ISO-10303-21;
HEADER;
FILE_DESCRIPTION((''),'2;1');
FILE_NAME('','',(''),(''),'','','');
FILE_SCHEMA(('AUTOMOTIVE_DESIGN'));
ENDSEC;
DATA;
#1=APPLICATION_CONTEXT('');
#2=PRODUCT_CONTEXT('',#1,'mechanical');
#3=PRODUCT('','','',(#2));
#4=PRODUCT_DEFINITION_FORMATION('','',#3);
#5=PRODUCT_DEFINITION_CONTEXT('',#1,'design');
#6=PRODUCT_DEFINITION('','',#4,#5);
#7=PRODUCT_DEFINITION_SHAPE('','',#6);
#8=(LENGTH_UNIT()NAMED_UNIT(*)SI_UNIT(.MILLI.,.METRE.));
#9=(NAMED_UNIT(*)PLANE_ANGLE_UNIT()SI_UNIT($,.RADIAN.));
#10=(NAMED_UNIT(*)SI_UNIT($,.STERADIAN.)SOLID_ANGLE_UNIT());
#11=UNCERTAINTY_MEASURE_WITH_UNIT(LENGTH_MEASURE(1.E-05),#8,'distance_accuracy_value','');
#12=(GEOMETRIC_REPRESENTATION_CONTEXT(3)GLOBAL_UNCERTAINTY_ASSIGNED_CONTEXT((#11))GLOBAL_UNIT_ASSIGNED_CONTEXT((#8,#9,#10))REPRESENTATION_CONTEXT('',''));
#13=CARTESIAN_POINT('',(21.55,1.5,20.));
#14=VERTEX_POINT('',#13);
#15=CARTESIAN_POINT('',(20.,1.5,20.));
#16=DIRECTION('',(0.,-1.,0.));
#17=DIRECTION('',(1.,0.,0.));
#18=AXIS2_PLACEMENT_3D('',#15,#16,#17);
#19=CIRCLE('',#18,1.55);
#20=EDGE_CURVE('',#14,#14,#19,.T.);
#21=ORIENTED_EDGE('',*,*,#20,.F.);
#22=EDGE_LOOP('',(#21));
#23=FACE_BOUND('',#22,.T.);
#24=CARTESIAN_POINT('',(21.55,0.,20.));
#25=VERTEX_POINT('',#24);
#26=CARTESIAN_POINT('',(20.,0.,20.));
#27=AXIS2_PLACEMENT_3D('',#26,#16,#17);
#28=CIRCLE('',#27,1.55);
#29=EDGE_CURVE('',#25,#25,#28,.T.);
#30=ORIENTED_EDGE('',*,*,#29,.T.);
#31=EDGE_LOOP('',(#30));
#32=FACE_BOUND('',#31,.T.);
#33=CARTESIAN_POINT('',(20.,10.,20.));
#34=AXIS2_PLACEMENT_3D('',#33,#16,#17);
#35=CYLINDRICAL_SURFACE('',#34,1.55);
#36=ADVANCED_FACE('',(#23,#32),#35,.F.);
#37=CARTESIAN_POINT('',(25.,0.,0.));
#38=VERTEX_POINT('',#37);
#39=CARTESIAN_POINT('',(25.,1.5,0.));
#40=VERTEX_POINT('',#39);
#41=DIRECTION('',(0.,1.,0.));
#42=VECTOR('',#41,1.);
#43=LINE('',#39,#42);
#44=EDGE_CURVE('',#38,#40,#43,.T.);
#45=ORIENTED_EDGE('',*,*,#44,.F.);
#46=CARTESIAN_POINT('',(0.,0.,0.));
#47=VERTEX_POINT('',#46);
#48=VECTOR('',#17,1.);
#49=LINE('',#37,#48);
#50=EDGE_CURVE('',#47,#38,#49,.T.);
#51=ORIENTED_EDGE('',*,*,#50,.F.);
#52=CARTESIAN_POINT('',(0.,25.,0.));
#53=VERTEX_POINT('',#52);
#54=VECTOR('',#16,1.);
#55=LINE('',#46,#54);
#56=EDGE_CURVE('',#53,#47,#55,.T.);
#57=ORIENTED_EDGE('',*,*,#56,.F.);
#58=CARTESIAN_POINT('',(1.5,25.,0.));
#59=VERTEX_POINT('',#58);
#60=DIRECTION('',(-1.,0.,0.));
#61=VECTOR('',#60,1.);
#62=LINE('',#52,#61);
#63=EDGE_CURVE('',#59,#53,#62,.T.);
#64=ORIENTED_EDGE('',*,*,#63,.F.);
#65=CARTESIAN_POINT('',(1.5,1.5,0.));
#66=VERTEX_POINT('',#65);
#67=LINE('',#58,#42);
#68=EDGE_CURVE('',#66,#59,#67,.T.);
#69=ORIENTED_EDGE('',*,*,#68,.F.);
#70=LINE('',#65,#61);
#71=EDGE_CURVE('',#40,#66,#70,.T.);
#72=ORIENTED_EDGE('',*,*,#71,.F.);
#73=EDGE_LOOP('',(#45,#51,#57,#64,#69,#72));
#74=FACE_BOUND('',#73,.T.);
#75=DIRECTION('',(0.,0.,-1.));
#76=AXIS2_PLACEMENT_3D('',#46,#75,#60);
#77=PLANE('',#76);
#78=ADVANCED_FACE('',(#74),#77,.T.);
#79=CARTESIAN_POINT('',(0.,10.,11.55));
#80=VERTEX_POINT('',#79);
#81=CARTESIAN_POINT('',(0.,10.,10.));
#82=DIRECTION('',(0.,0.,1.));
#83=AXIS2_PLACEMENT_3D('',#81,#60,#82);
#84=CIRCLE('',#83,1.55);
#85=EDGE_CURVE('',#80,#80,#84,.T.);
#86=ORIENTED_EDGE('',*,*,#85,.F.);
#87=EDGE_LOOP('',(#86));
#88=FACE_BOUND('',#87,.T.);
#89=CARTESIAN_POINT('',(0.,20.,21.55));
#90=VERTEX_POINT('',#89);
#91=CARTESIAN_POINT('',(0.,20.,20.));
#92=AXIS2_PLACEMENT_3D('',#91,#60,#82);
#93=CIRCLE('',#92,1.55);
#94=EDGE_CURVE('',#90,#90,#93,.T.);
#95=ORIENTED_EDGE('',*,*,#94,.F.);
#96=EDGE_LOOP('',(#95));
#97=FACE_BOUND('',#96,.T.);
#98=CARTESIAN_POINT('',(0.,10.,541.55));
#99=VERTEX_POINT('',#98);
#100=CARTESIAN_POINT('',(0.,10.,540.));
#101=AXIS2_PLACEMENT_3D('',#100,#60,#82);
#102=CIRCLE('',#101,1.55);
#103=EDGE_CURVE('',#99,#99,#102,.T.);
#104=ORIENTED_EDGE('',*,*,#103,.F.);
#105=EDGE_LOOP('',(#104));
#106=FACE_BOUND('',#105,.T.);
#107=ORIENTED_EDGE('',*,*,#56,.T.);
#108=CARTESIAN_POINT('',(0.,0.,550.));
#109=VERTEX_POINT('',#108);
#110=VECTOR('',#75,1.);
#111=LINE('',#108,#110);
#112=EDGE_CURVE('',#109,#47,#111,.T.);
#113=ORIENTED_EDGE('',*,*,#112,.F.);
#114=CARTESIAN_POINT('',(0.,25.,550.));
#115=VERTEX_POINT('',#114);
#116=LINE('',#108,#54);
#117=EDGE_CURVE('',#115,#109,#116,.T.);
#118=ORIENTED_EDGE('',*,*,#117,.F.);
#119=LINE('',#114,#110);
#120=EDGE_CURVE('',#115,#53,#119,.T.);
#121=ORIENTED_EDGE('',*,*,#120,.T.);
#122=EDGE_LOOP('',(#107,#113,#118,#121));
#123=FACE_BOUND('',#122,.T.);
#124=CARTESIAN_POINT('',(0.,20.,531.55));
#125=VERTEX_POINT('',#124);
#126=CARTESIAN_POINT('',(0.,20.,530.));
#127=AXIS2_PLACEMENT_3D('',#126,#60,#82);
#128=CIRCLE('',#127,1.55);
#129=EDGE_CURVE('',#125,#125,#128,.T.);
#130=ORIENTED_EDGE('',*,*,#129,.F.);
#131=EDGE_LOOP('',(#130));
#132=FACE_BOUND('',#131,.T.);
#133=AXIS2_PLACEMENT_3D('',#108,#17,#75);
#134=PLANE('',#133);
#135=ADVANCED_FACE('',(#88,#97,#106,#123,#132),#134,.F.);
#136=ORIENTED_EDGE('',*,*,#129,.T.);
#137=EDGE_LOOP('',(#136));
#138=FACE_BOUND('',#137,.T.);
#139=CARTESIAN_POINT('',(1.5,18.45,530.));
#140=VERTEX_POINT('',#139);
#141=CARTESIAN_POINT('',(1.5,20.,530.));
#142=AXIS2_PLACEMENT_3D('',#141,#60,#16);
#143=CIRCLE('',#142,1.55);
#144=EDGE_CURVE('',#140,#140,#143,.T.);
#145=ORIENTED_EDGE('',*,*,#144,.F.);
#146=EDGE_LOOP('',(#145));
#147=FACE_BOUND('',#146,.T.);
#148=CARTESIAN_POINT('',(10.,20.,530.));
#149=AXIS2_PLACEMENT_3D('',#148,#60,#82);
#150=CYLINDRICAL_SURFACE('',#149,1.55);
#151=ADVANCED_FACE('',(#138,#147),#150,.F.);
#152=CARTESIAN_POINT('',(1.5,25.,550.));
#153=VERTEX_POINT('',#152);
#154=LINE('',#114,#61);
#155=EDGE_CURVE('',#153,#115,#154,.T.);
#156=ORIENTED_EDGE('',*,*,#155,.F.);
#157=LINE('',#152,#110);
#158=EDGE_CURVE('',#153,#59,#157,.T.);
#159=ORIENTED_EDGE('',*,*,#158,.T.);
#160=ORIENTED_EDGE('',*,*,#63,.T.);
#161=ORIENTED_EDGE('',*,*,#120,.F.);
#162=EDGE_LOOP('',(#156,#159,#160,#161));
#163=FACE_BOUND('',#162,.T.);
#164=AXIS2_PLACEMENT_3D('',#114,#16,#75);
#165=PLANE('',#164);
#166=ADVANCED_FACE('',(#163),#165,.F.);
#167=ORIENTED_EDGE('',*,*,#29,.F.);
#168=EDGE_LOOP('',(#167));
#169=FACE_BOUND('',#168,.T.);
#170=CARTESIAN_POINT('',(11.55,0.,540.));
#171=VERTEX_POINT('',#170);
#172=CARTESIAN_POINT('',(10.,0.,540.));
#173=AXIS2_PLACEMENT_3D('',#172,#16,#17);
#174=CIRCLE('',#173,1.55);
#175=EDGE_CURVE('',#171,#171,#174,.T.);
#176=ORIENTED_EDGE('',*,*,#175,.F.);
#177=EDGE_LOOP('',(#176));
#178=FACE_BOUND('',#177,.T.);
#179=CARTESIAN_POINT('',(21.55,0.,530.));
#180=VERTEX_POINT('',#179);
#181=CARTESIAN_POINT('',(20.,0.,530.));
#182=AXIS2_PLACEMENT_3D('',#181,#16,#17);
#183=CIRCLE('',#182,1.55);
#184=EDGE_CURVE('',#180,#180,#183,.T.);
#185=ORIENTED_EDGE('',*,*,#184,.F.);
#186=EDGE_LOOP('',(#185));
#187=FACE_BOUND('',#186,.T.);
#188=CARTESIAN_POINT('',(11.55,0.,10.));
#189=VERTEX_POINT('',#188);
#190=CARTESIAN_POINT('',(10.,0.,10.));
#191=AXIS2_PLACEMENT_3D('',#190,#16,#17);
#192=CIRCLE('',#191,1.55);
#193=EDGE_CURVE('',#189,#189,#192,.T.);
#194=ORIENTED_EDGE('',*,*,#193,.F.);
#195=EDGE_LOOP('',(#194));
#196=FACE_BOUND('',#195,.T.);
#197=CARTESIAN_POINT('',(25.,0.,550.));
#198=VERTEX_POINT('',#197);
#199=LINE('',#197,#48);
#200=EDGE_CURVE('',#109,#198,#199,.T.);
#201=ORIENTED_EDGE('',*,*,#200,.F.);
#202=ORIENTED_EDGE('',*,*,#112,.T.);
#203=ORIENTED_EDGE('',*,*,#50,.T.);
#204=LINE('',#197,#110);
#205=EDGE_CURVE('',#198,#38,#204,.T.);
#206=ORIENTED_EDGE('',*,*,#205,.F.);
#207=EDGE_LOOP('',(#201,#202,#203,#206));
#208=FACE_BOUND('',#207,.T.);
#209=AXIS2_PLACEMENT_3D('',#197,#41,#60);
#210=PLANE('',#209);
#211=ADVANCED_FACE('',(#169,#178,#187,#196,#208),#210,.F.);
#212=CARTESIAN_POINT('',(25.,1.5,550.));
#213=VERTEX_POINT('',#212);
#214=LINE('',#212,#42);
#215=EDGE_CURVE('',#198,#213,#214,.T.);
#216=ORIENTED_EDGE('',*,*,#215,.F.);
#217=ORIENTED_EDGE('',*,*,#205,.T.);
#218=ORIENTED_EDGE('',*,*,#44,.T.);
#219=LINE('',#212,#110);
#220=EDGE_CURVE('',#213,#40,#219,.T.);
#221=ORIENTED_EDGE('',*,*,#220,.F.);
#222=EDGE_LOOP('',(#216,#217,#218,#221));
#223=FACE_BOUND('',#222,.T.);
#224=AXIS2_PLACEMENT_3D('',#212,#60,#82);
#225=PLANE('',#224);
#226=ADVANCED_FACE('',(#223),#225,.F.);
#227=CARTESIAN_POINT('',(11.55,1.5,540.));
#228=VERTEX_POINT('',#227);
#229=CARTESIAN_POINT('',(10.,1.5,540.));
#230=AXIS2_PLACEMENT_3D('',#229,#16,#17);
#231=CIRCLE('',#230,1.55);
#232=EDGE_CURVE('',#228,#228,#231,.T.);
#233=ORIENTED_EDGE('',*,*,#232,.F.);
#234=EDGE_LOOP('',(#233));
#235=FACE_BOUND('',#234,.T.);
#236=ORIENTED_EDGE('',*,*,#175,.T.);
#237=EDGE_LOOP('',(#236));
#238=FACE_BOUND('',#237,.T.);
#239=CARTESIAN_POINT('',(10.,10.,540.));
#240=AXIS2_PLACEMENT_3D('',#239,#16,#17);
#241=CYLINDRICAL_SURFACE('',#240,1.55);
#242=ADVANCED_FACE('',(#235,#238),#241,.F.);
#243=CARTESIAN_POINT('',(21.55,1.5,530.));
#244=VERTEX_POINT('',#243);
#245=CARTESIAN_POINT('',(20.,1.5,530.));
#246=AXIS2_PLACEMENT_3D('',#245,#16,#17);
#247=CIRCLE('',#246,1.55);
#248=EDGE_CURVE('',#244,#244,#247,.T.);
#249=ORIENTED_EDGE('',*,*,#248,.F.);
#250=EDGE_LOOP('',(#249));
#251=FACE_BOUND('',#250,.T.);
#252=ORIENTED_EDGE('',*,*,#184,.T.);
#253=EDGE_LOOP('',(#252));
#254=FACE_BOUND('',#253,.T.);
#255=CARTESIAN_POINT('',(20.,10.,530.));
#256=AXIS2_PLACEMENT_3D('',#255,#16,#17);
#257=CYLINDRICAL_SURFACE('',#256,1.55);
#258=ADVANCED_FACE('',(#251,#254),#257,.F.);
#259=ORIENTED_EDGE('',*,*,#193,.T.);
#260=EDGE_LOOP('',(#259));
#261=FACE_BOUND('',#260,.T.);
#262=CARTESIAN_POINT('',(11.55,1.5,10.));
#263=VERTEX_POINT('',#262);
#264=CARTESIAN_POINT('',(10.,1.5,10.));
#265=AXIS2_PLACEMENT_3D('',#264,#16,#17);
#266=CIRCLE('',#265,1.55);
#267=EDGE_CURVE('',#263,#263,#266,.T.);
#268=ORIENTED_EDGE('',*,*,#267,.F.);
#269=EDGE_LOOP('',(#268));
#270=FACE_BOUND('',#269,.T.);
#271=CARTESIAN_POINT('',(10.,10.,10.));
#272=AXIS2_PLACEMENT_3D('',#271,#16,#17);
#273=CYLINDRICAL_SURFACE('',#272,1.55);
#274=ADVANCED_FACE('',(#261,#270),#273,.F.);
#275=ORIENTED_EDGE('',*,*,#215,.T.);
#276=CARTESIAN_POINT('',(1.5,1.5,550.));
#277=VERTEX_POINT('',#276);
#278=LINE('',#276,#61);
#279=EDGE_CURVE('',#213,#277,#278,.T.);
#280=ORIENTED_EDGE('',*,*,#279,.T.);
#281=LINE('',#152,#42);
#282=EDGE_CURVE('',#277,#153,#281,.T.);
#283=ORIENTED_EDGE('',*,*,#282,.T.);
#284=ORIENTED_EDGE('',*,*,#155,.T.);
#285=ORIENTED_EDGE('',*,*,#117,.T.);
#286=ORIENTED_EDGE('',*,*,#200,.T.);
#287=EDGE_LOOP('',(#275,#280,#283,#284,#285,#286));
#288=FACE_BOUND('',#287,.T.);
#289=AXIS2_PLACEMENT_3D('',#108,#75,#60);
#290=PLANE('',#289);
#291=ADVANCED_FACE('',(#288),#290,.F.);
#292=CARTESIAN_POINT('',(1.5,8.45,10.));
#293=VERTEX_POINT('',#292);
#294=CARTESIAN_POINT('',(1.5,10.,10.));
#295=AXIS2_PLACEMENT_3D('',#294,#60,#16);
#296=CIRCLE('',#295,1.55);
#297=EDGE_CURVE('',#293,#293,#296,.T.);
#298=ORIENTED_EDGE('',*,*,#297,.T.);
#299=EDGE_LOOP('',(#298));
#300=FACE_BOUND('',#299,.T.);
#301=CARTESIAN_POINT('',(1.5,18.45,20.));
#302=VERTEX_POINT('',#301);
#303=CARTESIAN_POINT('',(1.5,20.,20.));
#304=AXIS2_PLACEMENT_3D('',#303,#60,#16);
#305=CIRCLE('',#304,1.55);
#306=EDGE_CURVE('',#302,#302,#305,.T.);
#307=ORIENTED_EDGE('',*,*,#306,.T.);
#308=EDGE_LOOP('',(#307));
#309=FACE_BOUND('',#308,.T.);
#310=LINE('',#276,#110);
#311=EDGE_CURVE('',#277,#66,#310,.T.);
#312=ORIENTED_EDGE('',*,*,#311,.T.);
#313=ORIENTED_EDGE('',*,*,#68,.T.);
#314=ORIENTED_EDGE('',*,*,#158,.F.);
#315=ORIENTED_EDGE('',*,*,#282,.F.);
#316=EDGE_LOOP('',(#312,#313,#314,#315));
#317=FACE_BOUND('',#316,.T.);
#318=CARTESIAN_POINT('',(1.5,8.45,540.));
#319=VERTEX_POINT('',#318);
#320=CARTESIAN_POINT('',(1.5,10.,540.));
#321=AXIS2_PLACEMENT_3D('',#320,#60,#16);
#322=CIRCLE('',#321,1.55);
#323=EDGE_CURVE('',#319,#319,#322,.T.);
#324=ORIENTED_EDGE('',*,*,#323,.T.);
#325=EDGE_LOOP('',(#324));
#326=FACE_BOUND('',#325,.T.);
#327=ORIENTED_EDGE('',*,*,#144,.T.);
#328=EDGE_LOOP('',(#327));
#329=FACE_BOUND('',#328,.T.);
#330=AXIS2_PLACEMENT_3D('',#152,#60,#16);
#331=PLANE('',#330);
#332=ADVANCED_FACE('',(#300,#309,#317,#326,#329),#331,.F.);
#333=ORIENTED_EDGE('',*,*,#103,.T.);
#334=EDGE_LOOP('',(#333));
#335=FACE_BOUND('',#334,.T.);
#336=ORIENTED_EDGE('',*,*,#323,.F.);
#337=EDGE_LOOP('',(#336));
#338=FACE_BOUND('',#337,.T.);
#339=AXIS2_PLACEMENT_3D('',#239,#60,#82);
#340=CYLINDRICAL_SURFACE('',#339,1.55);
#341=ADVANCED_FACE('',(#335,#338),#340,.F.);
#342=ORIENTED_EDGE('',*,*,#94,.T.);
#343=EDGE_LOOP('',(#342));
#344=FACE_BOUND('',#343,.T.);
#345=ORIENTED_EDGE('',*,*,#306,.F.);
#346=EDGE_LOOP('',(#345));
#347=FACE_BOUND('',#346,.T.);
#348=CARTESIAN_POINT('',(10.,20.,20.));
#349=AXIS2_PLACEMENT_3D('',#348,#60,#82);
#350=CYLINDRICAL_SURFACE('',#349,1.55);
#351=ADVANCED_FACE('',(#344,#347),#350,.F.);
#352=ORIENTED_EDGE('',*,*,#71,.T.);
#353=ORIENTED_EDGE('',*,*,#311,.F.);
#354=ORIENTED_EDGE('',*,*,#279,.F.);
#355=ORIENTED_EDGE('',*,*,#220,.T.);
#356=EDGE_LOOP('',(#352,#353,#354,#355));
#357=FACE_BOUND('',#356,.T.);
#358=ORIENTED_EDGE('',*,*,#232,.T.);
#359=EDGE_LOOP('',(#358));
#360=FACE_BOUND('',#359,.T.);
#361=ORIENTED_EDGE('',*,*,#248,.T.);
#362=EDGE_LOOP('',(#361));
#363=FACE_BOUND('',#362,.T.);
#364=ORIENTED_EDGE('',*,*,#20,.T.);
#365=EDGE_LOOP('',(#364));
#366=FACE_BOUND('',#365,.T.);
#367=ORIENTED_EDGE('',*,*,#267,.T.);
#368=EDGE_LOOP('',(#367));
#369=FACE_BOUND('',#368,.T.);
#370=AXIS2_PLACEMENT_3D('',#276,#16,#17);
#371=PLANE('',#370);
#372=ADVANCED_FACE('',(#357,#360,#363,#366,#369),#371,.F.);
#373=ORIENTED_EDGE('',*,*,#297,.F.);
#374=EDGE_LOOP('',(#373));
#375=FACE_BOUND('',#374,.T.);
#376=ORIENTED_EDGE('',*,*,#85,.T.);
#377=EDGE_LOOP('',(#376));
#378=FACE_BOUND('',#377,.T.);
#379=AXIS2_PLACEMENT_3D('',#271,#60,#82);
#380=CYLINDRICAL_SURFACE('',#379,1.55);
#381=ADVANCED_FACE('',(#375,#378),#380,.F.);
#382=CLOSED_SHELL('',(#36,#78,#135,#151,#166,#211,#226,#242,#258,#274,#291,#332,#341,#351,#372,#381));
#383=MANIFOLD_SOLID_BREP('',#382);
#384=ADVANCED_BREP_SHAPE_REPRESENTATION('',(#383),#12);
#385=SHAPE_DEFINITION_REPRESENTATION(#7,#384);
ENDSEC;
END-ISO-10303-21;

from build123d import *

# Parameters (mm, degrees)
BOSS_EXTRUDE1_DEPTH = 550
SKETCH2_R           = 1.55
CUT_EXTRUDE1_DEPTH  = 10
SKETCH3_R           = 1.55
CUT_EXTRUDE2_DEPTH  = 10


with BuildPart() as part:
    # Sketch1 → Boss-Extrude1 (new body)
    with BuildSketch(Plane.XY):
        Polygon((0, 0), (0, 25), (1.5, 25), (1.5, 1.5), (25, 1.5), (25, 0), align=None)
    extrude(amount=BOSS_EXTRUDE1_DEPTH)

    # Sketch2 → Cut-Extrude1 (cut)
    with BuildSketch(Plane.ZY):
        with Locations((10, 10)):
            Circle(SKETCH2_R)
        with Locations((20, 20)):
            Circle(SKETCH2_R)
        with Locations((530, 20)):
            Circle(SKETCH2_R)
        with Locations((540, 10)):
            Circle(SKETCH2_R)
    extrude(amount=-CUT_EXTRUDE1_DEPTH, mode=Mode.SUBTRACT)

    # Sketch3 → Cut-Extrude2 (cut)
    with BuildSketch(Plane.XZ):
        with Locations((10, 540)):
            Circle(SKETCH3_R)
        with Locations((20, 530)):
            Circle(SKETCH3_R)
        with Locations((20, 20)):
            Circle(SKETCH3_R)
        with Locations((10, 10)):
            Circle(SKETCH3_R)
    extrude(amount=-CUT_EXTRUDE2_DEPTH, mode=Mode.SUBTRACT)


solid = part.part
